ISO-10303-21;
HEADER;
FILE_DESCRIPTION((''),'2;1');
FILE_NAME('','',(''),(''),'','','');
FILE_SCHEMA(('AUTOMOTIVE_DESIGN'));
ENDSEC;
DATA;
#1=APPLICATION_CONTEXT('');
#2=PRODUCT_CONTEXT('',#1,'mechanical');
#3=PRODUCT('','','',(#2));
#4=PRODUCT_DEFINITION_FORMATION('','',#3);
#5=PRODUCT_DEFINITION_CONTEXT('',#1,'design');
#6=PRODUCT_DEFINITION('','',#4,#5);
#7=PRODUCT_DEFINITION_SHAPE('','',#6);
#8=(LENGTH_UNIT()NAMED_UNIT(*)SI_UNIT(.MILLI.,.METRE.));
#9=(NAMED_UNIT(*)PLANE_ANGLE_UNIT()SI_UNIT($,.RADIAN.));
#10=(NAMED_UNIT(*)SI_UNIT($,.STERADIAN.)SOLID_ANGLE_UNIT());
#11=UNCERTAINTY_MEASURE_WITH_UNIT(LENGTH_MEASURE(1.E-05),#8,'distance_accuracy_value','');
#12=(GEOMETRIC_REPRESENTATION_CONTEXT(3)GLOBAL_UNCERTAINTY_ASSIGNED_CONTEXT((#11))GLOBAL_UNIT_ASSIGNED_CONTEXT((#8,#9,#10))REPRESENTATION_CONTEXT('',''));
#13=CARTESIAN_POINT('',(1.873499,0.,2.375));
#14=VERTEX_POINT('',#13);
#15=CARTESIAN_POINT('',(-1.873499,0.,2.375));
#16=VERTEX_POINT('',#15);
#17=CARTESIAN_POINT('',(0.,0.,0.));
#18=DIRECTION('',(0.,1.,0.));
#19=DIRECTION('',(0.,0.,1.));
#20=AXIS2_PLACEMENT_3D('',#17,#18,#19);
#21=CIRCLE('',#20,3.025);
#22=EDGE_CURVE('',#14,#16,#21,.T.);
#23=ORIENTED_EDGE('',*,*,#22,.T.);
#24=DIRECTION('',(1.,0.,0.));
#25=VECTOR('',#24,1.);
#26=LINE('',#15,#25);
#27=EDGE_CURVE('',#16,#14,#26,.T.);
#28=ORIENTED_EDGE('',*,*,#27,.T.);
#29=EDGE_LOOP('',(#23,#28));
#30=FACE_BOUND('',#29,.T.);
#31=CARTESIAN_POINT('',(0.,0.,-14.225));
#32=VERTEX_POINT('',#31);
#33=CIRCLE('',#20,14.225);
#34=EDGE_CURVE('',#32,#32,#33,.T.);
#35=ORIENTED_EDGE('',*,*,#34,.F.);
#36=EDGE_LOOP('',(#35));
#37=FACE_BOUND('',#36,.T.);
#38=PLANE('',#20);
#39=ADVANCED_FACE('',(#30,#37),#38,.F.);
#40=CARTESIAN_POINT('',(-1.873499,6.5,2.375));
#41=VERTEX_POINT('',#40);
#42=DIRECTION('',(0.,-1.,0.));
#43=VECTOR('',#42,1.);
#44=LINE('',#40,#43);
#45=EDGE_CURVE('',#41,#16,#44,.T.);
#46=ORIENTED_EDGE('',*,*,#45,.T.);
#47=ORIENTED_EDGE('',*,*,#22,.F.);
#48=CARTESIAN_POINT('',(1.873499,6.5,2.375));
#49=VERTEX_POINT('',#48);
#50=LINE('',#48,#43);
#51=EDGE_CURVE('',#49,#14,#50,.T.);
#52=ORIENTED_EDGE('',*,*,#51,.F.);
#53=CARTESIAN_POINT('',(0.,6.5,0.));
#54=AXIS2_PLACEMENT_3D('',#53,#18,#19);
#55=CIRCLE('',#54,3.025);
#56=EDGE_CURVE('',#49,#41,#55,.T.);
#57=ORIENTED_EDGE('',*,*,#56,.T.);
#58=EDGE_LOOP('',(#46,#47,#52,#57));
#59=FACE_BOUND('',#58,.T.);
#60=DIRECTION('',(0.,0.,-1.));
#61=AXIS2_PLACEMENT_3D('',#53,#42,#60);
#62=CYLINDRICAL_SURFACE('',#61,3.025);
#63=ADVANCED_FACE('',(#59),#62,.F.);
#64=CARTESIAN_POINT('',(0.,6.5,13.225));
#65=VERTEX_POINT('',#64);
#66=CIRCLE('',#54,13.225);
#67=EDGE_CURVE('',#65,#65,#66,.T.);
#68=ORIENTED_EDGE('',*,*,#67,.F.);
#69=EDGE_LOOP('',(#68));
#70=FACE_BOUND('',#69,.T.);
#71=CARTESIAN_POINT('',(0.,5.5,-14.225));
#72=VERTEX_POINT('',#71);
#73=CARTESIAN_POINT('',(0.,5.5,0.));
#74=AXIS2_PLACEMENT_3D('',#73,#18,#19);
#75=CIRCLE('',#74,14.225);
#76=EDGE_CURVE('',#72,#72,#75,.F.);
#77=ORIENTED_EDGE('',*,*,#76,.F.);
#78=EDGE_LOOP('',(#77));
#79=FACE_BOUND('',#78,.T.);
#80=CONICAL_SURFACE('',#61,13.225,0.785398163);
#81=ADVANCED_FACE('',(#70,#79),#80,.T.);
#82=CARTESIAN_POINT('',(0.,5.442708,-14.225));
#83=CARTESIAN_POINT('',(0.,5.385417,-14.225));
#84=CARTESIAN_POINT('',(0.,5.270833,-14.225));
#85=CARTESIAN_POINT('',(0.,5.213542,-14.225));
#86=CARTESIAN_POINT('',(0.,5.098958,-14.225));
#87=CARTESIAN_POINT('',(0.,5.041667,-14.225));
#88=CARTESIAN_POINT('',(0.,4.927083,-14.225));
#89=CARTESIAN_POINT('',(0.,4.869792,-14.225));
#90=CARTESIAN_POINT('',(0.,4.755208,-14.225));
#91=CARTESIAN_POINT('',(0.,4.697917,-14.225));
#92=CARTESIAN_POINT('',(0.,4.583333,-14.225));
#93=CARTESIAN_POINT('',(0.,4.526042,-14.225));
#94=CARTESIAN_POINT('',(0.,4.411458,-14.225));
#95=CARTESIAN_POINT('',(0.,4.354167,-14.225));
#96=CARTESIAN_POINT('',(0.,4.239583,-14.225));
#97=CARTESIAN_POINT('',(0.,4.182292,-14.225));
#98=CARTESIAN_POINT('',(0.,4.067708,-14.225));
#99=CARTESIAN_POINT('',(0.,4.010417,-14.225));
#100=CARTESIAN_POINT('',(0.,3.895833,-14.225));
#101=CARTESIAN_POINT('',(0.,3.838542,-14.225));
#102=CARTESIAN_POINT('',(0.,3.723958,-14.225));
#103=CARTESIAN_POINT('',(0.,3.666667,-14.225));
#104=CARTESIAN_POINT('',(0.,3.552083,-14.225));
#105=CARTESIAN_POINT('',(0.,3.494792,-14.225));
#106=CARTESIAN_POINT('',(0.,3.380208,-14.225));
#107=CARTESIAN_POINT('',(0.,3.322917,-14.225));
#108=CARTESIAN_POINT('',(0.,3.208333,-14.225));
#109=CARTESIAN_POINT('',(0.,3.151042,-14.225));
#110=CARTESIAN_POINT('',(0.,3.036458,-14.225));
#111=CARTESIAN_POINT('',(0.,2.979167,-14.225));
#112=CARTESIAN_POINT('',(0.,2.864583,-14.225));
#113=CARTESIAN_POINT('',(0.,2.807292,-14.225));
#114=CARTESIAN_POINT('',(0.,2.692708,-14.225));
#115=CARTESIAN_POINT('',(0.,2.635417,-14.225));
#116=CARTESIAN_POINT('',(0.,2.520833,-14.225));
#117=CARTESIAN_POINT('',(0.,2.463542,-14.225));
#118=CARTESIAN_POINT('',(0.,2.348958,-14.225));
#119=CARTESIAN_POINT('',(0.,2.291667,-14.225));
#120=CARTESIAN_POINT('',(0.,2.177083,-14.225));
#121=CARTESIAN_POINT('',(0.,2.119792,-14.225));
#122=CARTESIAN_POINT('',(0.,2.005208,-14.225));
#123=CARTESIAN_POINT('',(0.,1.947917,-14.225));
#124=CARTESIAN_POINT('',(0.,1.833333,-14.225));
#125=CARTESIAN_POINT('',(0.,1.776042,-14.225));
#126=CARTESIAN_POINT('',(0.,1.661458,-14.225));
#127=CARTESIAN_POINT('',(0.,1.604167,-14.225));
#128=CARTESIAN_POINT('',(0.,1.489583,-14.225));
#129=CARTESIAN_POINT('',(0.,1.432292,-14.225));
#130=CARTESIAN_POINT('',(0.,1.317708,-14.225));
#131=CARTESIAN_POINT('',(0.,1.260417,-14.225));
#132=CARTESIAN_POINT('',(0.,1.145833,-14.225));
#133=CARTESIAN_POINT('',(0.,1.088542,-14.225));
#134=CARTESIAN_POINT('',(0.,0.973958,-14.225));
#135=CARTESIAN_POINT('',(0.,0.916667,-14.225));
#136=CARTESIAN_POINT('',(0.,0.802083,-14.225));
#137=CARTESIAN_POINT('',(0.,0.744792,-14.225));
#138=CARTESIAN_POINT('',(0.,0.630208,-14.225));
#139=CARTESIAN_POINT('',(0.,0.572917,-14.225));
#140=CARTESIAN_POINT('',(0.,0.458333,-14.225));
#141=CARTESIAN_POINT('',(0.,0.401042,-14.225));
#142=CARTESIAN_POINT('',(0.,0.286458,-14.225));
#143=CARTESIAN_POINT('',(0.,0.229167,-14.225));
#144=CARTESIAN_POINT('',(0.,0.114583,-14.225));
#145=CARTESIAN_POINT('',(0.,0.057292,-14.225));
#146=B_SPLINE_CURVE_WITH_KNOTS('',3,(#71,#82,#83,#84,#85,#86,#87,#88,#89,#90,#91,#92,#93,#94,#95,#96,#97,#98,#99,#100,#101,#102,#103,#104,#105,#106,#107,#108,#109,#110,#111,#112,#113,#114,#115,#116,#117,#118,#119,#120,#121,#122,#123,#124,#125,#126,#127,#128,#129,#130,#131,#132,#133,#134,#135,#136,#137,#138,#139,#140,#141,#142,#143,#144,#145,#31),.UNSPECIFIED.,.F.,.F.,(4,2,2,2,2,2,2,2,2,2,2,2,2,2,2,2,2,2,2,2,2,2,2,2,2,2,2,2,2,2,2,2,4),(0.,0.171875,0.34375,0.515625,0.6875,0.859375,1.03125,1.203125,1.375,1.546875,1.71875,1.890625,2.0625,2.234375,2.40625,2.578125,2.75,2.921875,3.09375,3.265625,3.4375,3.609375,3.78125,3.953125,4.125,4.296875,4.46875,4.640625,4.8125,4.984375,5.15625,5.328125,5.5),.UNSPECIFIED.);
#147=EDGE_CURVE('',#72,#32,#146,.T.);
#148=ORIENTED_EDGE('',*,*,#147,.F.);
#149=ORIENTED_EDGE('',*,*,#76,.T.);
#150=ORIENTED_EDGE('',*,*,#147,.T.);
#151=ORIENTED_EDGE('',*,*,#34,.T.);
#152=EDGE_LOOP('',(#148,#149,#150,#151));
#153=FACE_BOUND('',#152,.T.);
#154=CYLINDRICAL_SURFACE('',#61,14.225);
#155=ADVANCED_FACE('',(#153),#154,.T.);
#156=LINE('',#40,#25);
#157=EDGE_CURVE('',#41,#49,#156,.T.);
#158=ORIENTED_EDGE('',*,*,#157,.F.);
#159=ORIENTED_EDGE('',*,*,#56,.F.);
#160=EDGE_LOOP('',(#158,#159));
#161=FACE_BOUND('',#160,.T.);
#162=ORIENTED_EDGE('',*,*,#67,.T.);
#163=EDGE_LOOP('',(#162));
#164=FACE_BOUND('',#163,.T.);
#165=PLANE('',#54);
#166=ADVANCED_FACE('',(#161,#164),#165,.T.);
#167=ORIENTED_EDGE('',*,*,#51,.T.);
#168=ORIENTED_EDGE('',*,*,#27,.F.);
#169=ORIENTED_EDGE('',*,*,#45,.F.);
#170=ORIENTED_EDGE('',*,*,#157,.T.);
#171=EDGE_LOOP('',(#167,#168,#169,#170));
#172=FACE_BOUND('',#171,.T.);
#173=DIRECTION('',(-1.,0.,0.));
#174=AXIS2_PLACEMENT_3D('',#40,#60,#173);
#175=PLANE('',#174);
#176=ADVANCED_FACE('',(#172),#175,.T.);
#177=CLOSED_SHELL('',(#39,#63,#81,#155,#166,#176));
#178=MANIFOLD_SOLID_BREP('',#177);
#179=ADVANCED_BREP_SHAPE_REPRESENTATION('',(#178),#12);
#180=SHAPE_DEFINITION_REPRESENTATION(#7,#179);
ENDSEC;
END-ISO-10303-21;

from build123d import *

# Parameters (mm, degrees)
SKETCH1_R           = 14.225
BOSS_EXTRUDE1_DEPTH = 6.5
CHAMFER1_SIZE       = 1


with BuildPart() as part:
    # Sketch1 → Boss-Extrude1 (new body)
    with BuildSketch(Plane(origin=(0, 0, 0), x_dir=(1, 0, 0), z_dir=(0, 1, 0))):
        with Locations(Location((0, 0, 0), (0, 0, 90))):
            Circle(SKETCH1_R)
        with BuildLine():
            Line((-1.8734994, -2.375), (1.8734994, -2.375))
            ThreePointArc((1.8734994, -2.375), (0, 3.025), (-1.8734994, -2.375))
        make_face(mode=Mode.SUBTRACT)
    extrude(amount=BOSS_EXTRUDE1_DEPTH)

    # Chamfer1
    chamfer1_edges = [part.edges().sort_by_distance(p)[0] for p in [
        (0, 6.5, 14.225),
    ]]
    chamfer(chamfer1_edges, length=CHAMFER1_SIZE)


solid = part.part
